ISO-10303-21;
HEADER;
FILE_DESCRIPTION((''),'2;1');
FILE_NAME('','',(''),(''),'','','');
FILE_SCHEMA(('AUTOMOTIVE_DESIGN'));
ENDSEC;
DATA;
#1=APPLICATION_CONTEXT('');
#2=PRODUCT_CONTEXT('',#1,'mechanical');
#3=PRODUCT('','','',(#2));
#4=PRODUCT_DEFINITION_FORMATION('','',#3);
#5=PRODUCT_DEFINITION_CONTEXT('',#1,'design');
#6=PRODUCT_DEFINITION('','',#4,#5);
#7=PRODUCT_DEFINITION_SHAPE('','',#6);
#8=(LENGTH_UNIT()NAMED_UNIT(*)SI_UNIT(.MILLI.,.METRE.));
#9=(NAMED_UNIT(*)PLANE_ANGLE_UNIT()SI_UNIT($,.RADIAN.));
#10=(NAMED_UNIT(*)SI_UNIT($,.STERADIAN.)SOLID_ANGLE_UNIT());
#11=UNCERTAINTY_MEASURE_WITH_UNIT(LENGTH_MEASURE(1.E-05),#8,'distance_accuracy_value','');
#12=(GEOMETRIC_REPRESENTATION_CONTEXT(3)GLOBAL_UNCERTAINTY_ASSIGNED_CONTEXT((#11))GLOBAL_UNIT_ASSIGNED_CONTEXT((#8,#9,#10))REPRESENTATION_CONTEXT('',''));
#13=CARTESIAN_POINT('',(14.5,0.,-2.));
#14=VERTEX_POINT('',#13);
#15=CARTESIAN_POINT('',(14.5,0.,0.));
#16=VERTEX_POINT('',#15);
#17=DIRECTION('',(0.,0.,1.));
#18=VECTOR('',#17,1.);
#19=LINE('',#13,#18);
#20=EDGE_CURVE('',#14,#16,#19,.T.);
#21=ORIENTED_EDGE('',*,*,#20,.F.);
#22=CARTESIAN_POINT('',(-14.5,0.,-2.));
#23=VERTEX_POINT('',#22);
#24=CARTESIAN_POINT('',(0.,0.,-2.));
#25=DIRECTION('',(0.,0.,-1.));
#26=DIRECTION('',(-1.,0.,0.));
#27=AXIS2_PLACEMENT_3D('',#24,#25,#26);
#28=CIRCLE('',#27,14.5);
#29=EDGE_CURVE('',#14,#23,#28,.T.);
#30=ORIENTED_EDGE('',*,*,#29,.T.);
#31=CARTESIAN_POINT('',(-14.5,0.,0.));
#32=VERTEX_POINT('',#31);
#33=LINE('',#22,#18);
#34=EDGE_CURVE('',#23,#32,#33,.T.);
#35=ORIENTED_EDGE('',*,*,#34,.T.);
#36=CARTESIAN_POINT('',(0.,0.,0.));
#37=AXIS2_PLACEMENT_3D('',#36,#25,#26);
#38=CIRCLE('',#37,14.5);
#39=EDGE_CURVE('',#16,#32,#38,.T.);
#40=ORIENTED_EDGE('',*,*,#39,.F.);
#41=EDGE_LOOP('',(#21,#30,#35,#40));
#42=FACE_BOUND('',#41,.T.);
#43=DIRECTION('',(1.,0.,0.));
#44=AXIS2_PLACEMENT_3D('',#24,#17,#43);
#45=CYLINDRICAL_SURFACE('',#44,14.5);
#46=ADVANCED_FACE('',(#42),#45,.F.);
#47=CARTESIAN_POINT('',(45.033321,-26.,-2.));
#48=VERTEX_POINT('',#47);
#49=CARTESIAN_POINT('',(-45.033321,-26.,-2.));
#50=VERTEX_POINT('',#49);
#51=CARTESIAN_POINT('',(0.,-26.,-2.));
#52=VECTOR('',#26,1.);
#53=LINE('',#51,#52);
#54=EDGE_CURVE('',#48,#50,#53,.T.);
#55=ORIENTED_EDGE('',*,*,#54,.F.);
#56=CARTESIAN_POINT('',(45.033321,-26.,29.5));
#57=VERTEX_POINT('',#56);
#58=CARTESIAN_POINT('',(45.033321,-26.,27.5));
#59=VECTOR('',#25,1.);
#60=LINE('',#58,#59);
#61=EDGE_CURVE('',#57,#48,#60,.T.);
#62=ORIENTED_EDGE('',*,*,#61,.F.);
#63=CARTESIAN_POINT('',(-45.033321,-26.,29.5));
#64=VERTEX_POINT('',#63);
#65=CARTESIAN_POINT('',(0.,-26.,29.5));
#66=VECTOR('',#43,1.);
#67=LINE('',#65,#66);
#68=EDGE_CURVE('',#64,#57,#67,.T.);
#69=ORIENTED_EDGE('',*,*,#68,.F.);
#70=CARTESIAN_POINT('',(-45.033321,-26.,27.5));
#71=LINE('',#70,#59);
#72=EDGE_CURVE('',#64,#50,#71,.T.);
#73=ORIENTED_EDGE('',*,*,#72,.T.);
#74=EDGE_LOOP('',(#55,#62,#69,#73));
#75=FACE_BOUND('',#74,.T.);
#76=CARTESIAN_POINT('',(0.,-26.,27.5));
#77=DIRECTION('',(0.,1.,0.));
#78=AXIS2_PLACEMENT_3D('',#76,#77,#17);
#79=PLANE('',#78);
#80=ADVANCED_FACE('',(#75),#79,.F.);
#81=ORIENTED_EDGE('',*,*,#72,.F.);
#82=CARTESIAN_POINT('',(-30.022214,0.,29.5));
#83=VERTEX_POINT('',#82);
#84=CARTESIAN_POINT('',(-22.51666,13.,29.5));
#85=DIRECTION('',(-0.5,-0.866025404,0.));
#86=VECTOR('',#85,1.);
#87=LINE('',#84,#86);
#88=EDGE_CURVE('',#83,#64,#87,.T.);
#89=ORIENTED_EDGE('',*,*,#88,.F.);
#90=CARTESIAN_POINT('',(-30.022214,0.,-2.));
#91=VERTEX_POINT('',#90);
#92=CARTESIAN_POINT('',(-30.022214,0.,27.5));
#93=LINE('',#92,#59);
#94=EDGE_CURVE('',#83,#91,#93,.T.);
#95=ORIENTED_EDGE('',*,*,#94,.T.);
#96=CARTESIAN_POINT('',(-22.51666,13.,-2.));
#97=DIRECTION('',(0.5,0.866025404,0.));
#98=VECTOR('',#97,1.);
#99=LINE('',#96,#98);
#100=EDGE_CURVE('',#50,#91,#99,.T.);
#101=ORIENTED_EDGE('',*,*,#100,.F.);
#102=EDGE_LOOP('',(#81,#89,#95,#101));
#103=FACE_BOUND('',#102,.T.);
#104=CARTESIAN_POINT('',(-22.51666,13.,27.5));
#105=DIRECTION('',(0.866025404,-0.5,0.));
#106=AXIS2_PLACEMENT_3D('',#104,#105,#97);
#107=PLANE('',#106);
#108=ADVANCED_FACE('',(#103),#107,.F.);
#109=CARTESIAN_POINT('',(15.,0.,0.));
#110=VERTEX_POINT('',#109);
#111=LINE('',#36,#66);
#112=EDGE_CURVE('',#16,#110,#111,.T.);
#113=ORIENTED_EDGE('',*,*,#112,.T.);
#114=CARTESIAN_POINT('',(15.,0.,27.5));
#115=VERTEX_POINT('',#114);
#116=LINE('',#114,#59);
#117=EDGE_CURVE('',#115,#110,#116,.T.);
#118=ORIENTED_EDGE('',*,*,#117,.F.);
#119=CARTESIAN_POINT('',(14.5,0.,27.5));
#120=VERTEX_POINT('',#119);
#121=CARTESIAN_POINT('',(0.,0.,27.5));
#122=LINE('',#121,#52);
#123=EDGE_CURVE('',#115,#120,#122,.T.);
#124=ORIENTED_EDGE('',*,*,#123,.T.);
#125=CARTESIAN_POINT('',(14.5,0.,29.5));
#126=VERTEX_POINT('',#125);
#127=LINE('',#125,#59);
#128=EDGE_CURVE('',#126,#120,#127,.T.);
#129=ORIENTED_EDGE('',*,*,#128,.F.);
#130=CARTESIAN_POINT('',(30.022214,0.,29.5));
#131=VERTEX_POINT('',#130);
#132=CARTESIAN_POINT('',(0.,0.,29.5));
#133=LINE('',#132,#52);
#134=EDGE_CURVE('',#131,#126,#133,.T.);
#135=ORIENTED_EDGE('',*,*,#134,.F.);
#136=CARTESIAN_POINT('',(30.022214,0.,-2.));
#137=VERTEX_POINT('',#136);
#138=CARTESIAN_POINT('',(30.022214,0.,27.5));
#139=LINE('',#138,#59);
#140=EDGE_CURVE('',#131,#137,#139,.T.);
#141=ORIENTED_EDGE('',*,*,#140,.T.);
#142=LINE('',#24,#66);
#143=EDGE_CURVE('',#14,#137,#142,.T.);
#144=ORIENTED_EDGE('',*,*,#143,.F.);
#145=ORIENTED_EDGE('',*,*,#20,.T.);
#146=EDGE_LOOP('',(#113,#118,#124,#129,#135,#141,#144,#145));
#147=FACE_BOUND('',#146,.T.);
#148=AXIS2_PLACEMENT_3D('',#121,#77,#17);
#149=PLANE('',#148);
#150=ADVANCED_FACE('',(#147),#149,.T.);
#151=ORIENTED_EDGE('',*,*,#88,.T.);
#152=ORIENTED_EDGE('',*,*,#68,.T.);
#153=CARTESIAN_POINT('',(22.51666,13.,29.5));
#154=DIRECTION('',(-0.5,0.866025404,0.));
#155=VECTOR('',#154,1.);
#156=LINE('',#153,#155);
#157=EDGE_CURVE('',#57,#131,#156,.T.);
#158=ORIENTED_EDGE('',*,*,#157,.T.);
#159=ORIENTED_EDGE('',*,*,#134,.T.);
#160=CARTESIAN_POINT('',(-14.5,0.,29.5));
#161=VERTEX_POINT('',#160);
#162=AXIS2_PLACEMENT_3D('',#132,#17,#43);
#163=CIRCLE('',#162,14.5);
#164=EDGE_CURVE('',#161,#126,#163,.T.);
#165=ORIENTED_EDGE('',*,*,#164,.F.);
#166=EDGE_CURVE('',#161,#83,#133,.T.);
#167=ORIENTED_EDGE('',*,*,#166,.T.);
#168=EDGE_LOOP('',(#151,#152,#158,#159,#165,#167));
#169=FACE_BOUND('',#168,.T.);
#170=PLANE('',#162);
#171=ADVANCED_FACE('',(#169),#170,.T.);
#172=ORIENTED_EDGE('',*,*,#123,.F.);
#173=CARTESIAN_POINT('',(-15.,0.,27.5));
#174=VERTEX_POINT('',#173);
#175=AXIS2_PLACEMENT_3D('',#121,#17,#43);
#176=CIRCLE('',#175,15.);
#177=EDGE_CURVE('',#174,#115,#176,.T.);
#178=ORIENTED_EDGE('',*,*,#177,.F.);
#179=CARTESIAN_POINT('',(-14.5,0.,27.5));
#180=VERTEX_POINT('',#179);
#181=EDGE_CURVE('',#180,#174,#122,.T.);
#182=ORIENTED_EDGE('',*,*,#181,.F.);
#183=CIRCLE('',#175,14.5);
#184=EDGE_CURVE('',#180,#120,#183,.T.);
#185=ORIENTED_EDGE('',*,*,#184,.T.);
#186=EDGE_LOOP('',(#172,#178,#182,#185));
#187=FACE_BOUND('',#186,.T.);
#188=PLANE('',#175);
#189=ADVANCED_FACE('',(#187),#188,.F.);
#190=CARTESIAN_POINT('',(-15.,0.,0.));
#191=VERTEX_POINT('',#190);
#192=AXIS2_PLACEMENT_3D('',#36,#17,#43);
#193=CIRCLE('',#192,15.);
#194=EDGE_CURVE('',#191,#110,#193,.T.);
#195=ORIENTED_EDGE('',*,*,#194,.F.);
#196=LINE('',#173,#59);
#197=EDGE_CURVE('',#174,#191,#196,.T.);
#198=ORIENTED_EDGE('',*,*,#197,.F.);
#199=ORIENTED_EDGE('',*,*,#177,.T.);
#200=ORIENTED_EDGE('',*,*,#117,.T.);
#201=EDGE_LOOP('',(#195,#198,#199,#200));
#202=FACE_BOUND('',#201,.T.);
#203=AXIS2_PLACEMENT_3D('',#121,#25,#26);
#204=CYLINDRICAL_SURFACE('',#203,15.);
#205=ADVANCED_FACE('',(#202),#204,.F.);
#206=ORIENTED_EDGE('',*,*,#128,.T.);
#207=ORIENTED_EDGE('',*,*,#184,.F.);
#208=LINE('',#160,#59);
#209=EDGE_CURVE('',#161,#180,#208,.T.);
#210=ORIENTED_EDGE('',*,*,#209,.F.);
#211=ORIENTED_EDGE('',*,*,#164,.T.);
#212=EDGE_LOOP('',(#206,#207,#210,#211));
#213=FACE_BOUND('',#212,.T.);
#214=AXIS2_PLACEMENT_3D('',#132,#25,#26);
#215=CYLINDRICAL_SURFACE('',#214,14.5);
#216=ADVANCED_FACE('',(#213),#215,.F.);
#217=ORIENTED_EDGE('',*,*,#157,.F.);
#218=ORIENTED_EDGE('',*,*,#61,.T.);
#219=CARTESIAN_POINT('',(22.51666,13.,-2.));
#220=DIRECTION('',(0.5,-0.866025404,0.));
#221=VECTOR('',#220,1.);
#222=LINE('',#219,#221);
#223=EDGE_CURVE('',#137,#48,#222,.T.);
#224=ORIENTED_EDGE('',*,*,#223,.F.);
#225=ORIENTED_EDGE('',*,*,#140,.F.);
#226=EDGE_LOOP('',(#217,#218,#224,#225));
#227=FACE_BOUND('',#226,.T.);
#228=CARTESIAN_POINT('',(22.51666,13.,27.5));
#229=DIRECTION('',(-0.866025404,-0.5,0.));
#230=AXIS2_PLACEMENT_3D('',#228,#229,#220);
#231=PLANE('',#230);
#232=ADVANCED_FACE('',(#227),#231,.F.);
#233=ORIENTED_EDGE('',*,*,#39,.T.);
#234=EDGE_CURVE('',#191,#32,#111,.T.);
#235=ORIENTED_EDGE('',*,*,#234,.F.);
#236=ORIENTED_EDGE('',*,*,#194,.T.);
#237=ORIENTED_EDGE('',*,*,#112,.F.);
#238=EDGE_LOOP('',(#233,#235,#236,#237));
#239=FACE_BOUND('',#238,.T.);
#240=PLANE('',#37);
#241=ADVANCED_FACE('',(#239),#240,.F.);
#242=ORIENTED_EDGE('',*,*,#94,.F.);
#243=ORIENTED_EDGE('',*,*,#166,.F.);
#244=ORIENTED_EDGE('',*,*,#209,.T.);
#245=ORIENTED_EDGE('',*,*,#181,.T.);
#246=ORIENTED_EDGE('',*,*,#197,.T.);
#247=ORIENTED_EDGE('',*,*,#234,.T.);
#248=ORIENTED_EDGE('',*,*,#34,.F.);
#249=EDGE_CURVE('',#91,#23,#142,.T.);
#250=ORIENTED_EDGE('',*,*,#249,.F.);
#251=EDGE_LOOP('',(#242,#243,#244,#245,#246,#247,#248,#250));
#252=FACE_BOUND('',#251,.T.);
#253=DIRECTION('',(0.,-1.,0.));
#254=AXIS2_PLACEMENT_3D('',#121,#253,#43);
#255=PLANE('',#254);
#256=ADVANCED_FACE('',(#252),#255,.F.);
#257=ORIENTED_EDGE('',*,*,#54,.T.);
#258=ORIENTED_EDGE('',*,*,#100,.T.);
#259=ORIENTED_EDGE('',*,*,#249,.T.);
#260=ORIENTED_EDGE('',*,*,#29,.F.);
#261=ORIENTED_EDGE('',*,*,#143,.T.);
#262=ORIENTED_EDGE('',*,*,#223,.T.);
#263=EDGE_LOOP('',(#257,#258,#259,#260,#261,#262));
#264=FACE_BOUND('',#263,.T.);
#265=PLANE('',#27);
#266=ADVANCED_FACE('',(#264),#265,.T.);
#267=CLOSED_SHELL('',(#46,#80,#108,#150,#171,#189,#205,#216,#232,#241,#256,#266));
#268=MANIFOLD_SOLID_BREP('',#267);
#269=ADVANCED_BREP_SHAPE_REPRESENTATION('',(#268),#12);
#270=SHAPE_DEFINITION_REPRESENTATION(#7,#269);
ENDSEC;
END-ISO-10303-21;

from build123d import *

# Parameters (mm, degrees)
BOSS_EXTRUDE1_DEPTH = 27.5
BOSS_EXTRUDE2_DEPTH = 2
BOSS_EXTRUDE3_DEPTH = 2


with BuildPart() as part:
    # Frame → Boss-Extrude1 (new body)
    with BuildSketch(Plane.XY):
        with BuildLine():
            Line((-45.033320997, -26), (45.033320997, -26))
            Line((45.033320997, -26), (30.022213998, 0))
            Line((30.022213998, 0), (18, 0))
            ThreePointArc((18, 0), (0, -18), (-18, 0))
            Line((-18, 0), (-30.022213998, 0))
            Line((-30.022213998, 0), (-45.033320997, -26))
        make_face()
        with BuildLine():
            ThreePointArc((-18, 0), (0, -18), (18, 0))
            Line((18, 0), (15, 0))
            ThreePointArc((15, 0), (0, -15), (-15, 0))
            Line((-15, 0), (-18, 0))
        make_face()
    extrude(amount=BOSS_EXTRUDE1_DEPTH)

    # lip → Boss-Extrude2 (add)
    with BuildSketch(Plane.XY.offset(27.5)):
        with BuildLine():
            Line((45.033320997, -26), (30.022213998, 0))
            Line((30.022213998, 0), (15, 0))
            ThreePointArc((15, 0), (0, -15), (-15, 0))
            Line((-15, 0), (-30.022213998, 0))
            Line((-30.022213998, 0), (-45.033320997, -26))
            Line((-45.033320997, -26), (45.033320997, -26))
        make_face()
        with BuildLine():
            ThreePointArc((14.5, 0), (0, -14.5), (-14.5, 0))
            Line((-14.5, 0), (-15, 0))
            ThreePointArc((-15, 0), (0, -15), (15, 0))
            Line((15, 0), (14.5, 0))
        make_face()
    extrude(amount=BOSS_EXTRUDE2_DEPTH)

    # lip2 → Boss-Extrude3 (add)
    with BuildSketch(Plane(origin=(0, 0, 0), x_dir=(-1, 0, 0), z_dir=(0, 0, -1))):
        with BuildLine():
            ThreePointArc((15, 0), (0, -15), (-15, 0))
            Line((-15, 0), (-30.022213998, 0))
            Line((-30.022213998, 0), (-45.033320997, -26))
            Line((-45.033320997, -26), (45.033320997, -26))
            Line((45.033320997, -26), (30.022213998, 0))
            Line((30.022213998, 0), (15, 0))
        make_face()
        with BuildLine():
            Line((-14.5, 0), (-15, 0))
            ThreePointArc((-15, 0), (0, -15), (15, 0))
            Line((15, 0), (14.5, 0))
            ThreePointArc((14.5, 0), (0, -14.5), (-14.5, 0))
        make_face()
    extrude(amount=BOSS_EXTRUDE3_DEPTH)


solid = part.part
